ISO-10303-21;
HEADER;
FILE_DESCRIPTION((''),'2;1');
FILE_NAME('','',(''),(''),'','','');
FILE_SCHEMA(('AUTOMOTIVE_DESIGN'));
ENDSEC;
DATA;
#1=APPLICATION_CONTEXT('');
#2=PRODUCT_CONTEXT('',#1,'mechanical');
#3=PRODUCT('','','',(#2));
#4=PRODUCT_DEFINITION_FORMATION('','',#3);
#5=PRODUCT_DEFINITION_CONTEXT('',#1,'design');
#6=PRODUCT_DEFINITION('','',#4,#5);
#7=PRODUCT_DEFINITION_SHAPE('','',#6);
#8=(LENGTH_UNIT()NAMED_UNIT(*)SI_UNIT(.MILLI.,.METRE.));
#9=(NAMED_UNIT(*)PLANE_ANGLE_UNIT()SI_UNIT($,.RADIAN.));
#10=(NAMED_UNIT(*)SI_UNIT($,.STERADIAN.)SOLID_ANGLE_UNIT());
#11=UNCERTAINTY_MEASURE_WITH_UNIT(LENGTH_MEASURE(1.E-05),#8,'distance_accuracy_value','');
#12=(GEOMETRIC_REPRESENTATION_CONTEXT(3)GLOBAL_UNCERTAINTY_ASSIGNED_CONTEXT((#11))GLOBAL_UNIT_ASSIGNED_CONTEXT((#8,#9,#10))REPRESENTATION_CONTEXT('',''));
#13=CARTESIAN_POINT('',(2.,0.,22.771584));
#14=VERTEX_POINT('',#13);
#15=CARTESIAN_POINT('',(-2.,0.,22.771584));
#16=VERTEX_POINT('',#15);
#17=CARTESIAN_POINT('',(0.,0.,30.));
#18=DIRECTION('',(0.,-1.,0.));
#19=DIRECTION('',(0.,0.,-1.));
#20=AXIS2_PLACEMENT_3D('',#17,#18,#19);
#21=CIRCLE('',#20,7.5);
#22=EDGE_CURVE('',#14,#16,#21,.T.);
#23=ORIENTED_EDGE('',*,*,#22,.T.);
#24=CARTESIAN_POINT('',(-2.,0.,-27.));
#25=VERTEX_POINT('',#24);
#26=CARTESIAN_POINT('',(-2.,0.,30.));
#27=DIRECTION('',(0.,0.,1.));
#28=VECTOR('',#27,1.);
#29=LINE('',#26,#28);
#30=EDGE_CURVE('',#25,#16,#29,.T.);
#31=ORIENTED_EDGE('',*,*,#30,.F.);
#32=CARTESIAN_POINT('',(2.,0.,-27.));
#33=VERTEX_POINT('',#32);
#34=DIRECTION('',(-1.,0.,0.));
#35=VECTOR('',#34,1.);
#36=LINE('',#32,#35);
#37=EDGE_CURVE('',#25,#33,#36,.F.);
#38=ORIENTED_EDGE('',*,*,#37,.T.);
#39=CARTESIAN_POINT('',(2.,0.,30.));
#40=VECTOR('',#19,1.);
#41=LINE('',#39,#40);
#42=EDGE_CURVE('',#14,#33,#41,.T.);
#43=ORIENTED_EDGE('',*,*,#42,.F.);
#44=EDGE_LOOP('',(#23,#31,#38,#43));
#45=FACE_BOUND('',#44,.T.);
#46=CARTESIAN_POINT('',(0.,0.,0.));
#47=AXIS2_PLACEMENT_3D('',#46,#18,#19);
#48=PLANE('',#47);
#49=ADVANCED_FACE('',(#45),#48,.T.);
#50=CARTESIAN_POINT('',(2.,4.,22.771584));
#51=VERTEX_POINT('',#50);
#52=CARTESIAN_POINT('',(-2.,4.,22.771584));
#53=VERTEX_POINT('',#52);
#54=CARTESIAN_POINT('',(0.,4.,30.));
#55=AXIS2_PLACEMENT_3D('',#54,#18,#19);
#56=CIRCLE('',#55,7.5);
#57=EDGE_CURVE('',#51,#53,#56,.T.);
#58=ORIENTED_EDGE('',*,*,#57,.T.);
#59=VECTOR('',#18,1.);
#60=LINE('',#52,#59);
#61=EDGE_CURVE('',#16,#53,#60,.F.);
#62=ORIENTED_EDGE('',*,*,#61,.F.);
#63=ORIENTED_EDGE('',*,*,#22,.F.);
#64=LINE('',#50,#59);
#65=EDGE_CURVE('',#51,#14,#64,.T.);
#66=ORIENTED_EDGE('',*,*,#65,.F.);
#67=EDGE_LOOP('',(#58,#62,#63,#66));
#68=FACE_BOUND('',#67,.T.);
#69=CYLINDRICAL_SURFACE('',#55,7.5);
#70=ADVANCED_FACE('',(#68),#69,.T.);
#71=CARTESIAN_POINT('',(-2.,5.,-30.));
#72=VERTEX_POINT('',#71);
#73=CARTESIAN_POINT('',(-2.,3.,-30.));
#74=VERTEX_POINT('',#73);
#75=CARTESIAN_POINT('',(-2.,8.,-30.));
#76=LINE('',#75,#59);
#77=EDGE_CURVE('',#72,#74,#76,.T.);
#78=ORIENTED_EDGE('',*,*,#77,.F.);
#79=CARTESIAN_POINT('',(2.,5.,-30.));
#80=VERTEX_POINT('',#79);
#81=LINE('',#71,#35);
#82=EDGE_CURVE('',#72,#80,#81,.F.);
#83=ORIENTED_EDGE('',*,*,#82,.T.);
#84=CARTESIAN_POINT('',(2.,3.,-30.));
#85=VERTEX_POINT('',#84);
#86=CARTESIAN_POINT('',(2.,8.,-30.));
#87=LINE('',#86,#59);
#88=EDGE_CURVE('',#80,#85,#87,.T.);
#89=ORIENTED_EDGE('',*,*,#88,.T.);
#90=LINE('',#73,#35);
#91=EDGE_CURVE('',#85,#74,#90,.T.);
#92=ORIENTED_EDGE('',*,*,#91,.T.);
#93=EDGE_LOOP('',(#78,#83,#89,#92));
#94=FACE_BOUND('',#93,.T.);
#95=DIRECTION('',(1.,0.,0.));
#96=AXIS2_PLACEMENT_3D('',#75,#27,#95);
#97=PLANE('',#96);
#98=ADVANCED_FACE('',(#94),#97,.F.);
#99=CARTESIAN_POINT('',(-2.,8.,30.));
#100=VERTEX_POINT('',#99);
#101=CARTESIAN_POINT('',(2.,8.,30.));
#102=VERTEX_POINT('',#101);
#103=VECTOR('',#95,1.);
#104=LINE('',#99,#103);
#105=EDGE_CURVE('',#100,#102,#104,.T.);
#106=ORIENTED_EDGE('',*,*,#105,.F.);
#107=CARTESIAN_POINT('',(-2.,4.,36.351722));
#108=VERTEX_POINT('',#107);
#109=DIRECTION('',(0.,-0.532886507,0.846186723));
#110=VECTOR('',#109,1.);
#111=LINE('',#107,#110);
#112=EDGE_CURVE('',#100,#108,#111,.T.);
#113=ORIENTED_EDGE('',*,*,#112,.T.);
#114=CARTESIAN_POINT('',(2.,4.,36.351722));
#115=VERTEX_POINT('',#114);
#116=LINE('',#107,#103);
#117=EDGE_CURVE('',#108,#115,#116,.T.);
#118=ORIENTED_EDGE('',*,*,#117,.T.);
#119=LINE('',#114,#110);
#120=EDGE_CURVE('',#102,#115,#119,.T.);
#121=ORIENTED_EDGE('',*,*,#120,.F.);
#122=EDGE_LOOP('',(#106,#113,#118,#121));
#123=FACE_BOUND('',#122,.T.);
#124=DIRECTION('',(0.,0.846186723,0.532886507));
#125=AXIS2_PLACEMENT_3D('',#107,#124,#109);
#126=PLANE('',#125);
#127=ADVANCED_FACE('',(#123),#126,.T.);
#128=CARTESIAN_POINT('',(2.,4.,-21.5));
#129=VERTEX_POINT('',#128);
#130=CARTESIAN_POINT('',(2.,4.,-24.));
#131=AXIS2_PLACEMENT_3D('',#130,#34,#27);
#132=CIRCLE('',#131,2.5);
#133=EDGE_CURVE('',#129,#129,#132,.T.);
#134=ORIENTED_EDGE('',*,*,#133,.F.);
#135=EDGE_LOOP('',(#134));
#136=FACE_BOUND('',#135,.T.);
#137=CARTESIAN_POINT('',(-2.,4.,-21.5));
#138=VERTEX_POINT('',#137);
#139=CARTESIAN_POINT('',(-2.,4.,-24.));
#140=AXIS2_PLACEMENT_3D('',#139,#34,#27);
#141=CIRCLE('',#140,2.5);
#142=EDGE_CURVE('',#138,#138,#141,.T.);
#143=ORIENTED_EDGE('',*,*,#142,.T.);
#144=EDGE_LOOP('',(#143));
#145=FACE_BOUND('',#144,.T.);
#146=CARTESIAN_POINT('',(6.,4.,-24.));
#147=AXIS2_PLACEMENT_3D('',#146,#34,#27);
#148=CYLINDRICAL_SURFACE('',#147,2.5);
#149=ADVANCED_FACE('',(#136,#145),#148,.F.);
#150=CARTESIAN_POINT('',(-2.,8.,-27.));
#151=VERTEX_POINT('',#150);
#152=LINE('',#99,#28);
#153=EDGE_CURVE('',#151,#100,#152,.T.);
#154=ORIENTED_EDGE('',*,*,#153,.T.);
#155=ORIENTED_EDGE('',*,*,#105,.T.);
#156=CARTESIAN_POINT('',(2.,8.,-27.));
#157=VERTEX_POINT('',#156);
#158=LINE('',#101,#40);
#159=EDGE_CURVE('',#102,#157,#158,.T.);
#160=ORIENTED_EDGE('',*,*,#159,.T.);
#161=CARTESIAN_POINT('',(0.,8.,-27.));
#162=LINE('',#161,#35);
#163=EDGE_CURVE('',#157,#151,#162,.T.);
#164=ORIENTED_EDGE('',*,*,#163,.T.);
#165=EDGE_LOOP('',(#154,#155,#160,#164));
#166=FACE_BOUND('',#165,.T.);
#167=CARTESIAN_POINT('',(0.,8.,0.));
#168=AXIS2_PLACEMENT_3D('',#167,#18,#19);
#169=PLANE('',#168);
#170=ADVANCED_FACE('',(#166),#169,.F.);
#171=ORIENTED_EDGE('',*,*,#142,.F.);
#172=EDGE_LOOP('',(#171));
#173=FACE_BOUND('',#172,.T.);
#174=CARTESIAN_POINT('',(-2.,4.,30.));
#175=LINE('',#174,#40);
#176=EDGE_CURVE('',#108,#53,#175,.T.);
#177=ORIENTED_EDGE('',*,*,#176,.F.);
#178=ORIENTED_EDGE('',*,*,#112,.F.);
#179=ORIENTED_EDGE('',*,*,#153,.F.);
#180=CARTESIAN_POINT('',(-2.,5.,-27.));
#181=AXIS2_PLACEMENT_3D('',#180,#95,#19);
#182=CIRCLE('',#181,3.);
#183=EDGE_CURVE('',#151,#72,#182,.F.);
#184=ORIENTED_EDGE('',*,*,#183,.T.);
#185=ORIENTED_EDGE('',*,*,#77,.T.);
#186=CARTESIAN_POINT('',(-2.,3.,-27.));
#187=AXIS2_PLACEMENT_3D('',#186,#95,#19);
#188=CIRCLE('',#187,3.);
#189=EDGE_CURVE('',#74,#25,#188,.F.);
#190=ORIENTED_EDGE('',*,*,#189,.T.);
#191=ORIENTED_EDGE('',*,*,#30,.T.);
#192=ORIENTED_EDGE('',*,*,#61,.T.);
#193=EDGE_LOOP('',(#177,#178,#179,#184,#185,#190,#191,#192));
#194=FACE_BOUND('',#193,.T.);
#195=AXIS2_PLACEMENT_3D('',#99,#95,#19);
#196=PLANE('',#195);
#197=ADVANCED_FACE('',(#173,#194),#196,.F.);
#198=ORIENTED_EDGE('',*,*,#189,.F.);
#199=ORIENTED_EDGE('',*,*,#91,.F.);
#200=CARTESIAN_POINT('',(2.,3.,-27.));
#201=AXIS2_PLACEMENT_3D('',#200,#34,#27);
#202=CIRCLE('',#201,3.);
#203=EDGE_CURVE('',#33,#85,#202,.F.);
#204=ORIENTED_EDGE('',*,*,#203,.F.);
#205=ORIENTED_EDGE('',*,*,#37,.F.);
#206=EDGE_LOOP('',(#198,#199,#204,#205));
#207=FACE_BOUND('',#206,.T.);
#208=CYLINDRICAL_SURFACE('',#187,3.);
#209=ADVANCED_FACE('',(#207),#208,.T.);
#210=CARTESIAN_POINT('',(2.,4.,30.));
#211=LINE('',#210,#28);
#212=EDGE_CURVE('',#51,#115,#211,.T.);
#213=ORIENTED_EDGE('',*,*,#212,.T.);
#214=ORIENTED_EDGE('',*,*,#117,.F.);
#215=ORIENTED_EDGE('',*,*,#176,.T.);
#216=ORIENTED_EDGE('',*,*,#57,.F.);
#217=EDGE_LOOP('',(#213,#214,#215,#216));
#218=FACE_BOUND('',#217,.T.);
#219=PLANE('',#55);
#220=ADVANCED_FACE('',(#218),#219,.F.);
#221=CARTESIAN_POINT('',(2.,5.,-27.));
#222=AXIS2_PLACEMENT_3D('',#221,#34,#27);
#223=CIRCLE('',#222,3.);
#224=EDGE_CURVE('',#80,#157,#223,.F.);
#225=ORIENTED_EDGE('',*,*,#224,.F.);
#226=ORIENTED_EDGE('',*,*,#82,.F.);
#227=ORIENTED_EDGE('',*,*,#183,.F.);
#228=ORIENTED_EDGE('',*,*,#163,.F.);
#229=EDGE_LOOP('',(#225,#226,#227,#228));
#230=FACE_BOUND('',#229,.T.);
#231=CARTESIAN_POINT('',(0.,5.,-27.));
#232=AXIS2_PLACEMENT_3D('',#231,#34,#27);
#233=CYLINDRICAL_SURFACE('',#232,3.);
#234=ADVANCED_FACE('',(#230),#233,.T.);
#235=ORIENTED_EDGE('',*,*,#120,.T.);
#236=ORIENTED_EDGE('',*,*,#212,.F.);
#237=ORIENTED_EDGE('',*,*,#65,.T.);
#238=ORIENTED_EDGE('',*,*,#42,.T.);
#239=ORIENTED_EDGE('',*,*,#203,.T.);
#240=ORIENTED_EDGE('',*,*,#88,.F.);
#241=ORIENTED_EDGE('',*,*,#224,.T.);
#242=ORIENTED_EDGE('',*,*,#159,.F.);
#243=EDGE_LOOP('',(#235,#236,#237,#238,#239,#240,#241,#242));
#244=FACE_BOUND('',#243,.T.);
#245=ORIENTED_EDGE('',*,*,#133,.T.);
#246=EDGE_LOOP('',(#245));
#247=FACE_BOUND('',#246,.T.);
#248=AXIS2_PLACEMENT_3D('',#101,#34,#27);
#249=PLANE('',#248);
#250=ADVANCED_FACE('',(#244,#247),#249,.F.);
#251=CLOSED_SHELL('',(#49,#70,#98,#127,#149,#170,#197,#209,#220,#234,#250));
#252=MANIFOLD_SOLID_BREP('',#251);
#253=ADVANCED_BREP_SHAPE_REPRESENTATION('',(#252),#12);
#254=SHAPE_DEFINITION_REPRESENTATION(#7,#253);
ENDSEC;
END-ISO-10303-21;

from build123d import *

# Parameters (mm, degrees)
SKETCH1_W           = 4
SKETCH1_H           = 60
BOSS_EXTRUDE1_DEPTH = 8
SKETCH2_R           = 2.5
CUT_EXTRUDE1_DEPTH  = 8
FILLET1_R           = 3
SKETCH3_R           = 7.5
BOSS_EXTRUDE2_DEPTH = 4
BOSS_EXTRUDE3_DEPTH = 4


with BuildPart() as part:
    # Sketch1 → Boss-Extrude1 (new body)
    with BuildSketch(Plane(origin=(0, 0, 0), x_dir=(1, 0, 0), z_dir=(0, 1, 0))):
        Rectangle(SKETCH1_W, SKETCH1_H)
    extrude(amount=BOSS_EXTRUDE1_DEPTH)

    # Sketch2 → Cut-Extrude1 (cut)
    with BuildSketch(Plane.ZY.offset(2)):
        with Locations((-24, 4)):
            Circle(SKETCH2_R)
    extrude(amount=-CUT_EXTRUDE1_DEPTH, mode=Mode.SUBTRACT)

    # Fillet1
    fillet1_edges = [part.edges().sort_by_distance(p)[0] for p in [
        (0, 0, -30),
        (0, 8, -30),
    ]]
    fillet(fillet1_edges, radius=FILLET1_R)

    # Sketch3 → Boss-Extrude2 (add)
    with BuildSketch(Plane.XZ):
        with Locations((0, 30)):
            Circle(SKETCH3_R)
    extrude(amount=-BOSS_EXTRUDE2_DEPTH)

    # Sketch4 → Boss-Extrude3 (add)
    with BuildSketch(Plane(origin=(2, 0, 0), x_dir=(0, 0, -1), z_dir=(1, 0, 0))):
        Polygon((-30, 4), (-36.351721889, 4), (-30, 8), align=None)
    extrude(amount=-BOSS_EXTRUDE3_DEPTH)


solid = part.part
